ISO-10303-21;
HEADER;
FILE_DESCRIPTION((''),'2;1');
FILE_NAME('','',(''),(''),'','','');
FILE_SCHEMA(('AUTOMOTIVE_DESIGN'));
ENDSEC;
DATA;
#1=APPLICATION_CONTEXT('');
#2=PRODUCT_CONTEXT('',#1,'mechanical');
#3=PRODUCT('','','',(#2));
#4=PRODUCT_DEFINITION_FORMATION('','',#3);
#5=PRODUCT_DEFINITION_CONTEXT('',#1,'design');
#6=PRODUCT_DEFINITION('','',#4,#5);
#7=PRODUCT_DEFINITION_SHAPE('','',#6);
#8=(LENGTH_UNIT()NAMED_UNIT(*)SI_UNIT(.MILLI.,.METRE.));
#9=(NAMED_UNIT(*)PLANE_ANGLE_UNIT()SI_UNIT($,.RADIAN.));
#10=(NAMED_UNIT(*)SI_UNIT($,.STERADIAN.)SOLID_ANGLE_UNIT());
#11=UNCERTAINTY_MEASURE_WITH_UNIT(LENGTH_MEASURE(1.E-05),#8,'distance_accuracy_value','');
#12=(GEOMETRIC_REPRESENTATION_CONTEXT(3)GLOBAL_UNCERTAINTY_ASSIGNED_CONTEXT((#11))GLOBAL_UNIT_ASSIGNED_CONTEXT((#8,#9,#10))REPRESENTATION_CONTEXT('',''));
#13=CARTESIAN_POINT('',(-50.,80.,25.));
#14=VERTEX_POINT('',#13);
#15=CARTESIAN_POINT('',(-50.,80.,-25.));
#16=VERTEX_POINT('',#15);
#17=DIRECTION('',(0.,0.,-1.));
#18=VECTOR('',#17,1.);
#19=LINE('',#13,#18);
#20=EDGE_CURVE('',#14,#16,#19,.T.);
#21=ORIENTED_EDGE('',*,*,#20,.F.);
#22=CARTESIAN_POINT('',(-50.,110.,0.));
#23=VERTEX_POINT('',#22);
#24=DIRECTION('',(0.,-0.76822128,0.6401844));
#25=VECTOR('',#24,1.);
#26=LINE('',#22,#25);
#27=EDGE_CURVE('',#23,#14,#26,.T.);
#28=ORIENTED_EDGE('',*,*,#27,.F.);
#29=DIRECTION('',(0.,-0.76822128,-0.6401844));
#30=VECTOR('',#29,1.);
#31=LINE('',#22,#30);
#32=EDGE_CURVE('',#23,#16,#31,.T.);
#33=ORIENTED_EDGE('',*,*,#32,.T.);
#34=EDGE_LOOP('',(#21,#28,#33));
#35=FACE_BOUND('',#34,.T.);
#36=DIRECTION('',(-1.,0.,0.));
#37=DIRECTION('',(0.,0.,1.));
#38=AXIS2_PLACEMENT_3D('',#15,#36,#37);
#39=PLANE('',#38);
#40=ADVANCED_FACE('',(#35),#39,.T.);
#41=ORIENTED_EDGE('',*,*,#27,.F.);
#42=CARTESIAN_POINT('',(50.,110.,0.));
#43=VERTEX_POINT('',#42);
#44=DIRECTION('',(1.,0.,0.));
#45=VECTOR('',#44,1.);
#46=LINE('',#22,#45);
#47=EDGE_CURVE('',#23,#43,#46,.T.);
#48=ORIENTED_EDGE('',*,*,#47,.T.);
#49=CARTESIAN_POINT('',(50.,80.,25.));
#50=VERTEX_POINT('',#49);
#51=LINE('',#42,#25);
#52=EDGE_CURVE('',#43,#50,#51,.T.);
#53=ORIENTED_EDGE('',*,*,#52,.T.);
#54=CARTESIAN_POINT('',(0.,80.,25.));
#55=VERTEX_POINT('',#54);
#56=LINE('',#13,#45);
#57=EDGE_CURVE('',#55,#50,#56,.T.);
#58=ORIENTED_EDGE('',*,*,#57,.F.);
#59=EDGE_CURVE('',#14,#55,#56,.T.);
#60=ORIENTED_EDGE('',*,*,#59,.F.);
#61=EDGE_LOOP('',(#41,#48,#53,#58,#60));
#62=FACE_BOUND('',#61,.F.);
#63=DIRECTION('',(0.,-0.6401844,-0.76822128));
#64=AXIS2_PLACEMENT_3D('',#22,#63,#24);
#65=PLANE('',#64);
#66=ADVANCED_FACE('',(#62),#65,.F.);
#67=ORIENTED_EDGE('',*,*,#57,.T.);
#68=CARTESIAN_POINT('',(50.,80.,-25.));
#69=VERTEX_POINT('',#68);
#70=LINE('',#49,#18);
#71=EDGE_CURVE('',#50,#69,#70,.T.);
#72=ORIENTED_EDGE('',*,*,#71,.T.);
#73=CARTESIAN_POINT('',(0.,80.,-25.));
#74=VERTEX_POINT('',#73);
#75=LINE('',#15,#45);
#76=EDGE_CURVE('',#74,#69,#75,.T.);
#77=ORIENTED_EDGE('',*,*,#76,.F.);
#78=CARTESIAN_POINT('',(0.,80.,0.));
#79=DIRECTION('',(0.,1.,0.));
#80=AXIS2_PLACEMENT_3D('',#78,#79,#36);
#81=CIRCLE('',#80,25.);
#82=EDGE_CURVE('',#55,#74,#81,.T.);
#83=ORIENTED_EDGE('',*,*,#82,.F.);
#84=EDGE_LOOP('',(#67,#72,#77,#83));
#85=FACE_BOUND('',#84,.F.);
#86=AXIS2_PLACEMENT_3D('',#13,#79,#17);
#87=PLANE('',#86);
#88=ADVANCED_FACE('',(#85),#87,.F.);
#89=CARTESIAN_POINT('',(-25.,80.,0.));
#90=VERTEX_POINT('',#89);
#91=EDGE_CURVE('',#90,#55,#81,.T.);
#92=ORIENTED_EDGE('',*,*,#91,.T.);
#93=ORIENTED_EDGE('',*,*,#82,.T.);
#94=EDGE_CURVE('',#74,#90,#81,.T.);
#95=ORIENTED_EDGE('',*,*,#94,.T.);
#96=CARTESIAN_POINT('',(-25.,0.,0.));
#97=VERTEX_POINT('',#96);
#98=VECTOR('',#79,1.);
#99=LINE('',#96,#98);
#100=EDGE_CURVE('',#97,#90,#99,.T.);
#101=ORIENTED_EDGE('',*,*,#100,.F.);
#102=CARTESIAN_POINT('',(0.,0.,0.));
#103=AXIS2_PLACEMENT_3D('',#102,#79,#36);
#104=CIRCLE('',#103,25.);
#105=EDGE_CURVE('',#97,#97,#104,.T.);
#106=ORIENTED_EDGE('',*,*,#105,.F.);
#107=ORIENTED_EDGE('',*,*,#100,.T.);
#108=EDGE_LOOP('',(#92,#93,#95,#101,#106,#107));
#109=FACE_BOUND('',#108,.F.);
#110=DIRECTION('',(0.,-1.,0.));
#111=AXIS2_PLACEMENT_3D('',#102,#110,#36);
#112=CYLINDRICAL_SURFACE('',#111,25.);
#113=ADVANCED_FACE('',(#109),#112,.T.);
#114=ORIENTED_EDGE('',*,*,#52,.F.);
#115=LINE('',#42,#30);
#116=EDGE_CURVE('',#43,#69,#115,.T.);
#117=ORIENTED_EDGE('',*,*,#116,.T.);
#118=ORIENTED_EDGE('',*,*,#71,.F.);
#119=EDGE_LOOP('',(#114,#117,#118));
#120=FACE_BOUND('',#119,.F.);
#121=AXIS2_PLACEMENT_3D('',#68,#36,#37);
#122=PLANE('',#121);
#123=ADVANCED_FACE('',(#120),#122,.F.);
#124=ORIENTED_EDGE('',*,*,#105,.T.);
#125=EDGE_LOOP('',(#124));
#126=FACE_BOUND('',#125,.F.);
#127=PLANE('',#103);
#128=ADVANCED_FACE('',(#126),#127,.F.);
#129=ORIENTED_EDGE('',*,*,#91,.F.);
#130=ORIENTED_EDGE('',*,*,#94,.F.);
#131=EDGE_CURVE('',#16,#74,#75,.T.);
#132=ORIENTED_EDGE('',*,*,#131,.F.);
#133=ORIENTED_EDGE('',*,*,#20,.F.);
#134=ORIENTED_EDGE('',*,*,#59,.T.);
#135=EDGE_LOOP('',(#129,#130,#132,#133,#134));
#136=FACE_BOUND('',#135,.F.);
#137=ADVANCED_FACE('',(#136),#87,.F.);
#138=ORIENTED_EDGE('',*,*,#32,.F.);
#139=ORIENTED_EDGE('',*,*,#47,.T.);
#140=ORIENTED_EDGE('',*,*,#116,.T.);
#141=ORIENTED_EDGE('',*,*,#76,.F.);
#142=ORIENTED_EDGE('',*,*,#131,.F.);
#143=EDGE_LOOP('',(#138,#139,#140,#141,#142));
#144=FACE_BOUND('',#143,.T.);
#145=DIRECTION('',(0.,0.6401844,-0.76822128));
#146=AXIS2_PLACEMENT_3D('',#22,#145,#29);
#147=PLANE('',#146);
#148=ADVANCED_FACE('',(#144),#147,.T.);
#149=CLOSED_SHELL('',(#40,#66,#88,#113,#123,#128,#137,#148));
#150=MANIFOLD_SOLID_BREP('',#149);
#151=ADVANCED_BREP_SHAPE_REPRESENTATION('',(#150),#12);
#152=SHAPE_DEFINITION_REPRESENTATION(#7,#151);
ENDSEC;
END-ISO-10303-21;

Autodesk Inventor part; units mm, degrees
ref_plane "YZ Plane" through (0, 0, 0) normal (1, 0, 0) x (0, 1, 0)
ref_plane "XZ Plane" through (0, 0, 0) normal (0, 1, 0) x (-1, 0, 0)
ref_plane "XY Plane" through (0, 0, 0) normal (0, 0, 1) x (1, 0, 0)
sketch "Sketch1" plane through (0, 0, 0) normal (0, 1, 0) x (-1, 0, 0)
  circle A0 centre (0, 0) radius 25
  dimension "d0" = 50
extrude "Extrusion1" add sketch "Sketch1" along normal blind 80
sketch "Sketch3" plane through (0, 80, 0) normal (0, 1, 0) x (1, 0, 0)
  line L0 (-50, -25) -> (50, -25) construction
  line L1 (50, -25) -> (50, 25) construction
  line L2 (50, 25) -> (-50, 25) construction
  line L3 (-50, 25) -> (-50, -25) construction
  line L4 (-50, -25) -> (50, 25) construction
  line L5 (50, -25) -> (-50, 25) construction
  point P0 (0, 0)
  dimension "d7" = 100
  dimension "d8" = 50
ref_plane "Work Plane2" through (-50, 80, -25) normal (-1, 0, 0) x (0, 0, 1)
sketch "Sketch5" plane through (-50, 80, -25) normal (-1, 0, 0) x (0, 0, 1)
  line L0 (50, 0) -> (0, 0) projected
  line L1 (50, 0) -> (0, 0)
  line L2 (25, 0) -> (25, 30) construction
  line L3 (25, 30) -> (50, 0)
  line L4 (25, 30) -> (0, 0)
  point P0 (25, -80)
  dimension "d13" = 30
extrude "Extrusion3" add sketch "Sketch5" against normal blind 100
properties part number "rotator_flat"
